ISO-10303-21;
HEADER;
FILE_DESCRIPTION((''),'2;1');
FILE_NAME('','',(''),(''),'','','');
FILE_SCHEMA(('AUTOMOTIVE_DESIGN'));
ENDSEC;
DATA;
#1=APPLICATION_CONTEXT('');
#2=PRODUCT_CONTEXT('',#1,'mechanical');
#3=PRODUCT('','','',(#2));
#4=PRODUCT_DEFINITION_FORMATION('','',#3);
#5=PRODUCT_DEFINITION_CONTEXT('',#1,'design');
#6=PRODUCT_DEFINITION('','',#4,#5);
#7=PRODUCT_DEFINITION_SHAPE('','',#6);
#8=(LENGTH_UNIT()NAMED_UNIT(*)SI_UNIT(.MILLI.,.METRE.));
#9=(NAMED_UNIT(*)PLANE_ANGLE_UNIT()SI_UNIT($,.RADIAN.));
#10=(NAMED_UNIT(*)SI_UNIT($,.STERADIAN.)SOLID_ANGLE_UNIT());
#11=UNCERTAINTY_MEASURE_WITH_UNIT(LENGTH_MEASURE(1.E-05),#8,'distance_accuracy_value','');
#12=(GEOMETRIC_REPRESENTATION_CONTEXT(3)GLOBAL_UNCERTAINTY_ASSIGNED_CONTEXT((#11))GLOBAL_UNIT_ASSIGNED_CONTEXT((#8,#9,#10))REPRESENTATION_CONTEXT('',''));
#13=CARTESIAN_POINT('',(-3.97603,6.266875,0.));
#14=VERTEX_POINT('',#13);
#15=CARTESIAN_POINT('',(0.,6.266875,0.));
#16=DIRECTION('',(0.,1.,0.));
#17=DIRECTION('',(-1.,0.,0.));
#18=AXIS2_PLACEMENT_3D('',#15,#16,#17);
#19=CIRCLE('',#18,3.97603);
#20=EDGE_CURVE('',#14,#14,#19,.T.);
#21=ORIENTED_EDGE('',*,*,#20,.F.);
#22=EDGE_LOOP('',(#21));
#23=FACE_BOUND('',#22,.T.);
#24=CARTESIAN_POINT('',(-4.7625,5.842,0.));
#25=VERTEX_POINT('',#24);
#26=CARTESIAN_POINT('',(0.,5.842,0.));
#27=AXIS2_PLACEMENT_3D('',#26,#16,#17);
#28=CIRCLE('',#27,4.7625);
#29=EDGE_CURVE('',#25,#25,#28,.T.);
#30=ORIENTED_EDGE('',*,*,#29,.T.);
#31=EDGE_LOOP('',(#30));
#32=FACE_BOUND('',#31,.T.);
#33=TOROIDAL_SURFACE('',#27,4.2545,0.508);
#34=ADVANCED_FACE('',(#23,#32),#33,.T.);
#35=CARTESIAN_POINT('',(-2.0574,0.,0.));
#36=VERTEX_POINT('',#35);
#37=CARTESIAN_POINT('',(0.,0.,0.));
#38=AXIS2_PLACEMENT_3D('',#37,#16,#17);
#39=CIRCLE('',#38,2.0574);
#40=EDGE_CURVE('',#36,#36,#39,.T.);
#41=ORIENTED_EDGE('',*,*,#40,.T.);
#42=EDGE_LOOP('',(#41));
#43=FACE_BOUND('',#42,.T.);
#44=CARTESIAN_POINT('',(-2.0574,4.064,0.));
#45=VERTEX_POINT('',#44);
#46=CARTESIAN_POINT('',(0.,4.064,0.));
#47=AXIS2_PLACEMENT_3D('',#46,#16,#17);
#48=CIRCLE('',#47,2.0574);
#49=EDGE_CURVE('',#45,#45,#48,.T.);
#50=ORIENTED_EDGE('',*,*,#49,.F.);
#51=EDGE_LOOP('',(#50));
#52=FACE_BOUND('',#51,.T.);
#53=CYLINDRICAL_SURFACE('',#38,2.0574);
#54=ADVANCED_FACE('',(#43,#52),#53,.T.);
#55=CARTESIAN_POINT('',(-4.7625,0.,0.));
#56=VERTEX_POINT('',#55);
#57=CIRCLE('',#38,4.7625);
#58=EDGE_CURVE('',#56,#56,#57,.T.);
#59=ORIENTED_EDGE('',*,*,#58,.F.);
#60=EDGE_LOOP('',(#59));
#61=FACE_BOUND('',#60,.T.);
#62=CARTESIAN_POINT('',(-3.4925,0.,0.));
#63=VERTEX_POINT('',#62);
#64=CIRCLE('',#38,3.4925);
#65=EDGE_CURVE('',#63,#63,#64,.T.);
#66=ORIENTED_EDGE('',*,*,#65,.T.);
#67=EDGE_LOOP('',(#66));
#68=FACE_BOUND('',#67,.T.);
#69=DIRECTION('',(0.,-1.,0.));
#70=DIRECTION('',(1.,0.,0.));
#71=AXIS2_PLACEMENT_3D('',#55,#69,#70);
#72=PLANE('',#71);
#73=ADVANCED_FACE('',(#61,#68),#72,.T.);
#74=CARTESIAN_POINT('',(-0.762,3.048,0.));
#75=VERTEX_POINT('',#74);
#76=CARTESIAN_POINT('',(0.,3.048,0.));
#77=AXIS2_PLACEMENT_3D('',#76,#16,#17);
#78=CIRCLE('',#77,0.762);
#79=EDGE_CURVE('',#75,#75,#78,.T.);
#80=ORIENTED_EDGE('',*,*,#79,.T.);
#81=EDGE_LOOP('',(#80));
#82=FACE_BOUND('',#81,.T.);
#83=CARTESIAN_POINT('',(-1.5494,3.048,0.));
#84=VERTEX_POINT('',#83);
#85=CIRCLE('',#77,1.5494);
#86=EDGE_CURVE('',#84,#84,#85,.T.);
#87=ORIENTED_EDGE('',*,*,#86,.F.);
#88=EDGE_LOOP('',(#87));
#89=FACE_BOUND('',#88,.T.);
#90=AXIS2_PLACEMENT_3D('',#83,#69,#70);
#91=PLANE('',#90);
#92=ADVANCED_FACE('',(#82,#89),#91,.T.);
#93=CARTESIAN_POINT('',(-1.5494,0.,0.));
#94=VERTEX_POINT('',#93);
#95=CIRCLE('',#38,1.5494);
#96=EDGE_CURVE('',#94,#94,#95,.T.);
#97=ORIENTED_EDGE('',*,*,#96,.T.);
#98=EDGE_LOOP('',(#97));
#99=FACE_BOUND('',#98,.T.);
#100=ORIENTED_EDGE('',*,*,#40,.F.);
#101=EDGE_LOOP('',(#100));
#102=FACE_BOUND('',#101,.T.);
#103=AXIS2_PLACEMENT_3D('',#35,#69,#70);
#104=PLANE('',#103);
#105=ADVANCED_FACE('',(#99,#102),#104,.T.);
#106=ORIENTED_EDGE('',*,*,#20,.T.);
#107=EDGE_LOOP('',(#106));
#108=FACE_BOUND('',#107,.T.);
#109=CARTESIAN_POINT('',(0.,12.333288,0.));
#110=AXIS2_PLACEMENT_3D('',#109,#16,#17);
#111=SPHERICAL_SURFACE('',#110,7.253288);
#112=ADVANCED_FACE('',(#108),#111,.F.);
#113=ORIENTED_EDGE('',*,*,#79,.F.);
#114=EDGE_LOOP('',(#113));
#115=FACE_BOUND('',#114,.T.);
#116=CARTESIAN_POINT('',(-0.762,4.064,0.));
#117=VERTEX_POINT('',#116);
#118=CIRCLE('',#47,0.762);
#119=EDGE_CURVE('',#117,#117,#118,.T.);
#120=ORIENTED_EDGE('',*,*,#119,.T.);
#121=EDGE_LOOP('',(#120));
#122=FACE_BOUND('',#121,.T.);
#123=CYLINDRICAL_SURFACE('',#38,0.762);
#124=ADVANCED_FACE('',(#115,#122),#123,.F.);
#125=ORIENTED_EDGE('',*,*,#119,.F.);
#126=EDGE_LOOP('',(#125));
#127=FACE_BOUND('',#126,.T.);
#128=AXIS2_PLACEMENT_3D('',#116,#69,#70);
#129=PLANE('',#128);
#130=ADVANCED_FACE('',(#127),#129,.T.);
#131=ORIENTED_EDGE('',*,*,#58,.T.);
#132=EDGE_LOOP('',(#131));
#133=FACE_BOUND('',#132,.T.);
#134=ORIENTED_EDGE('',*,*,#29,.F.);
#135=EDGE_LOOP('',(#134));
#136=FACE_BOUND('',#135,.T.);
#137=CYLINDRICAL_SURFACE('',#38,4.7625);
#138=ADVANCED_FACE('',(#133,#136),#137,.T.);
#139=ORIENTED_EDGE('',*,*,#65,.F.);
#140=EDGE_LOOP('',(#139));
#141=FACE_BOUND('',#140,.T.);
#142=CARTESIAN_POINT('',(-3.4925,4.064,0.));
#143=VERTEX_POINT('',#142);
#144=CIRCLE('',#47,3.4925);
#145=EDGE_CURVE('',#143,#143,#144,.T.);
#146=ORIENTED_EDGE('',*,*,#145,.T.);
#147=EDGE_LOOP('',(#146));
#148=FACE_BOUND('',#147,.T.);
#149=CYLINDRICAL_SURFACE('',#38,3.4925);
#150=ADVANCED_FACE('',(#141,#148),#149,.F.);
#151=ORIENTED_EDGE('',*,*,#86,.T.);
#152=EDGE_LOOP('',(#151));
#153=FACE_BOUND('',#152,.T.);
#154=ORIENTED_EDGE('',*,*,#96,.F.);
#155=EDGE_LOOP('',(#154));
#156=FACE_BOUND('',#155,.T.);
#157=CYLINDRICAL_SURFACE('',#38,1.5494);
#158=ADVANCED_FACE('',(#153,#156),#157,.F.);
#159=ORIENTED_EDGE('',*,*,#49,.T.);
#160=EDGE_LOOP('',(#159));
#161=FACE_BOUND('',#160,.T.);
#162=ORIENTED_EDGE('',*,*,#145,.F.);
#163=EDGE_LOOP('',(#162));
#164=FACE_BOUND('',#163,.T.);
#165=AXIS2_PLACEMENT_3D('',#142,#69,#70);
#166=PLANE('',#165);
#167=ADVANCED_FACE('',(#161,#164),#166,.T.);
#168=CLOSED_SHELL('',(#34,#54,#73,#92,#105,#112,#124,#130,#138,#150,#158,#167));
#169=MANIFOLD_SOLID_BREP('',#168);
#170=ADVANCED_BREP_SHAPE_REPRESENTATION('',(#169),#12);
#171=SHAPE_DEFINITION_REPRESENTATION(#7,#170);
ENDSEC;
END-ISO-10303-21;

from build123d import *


with BuildPart() as part:
    # Sketch1 → Revolve1 (revolve)
    with BuildSketch(Plane.XY):
        with BuildLine():
            Line((-1.5494, 0), (-1.5494, 3.048))
            Line((-1.5494, 3.048), (-0.762, 3.048))
            Line((-0.762, 3.048), (-0.762, 4.064))
            Line((-0.762, 4.064), (0, 4.064))
            Line((0, 4.064), (0, 5.08))
            ThreePointArc((0, 5.08), (-2.074697908, 5.383049508), (-3.976029965, 6.266874616))
            ThreePointArc((-3.976029965, 6.266874616), (-4.495955195, 6.288948978), (-4.7625, 5.842))
            Line((-4.7625, 5.842), (-4.7625, 0))
            Line((-4.7625, 0), (-3.4925, 0))
            Line((-3.4925, 0), (-3.4925, 4.064))
            Line((-3.4925, 4.064), (-2.0574, 4.064))
            Line((-2.0574, 4.064), (-2.0574, 0))
            Line((-2.0574, 0), (-1.5494, 0))
        make_face()
    revolve(axis=Axis((0, 0, 0), (0, -1, 0)))


solid = part.part
